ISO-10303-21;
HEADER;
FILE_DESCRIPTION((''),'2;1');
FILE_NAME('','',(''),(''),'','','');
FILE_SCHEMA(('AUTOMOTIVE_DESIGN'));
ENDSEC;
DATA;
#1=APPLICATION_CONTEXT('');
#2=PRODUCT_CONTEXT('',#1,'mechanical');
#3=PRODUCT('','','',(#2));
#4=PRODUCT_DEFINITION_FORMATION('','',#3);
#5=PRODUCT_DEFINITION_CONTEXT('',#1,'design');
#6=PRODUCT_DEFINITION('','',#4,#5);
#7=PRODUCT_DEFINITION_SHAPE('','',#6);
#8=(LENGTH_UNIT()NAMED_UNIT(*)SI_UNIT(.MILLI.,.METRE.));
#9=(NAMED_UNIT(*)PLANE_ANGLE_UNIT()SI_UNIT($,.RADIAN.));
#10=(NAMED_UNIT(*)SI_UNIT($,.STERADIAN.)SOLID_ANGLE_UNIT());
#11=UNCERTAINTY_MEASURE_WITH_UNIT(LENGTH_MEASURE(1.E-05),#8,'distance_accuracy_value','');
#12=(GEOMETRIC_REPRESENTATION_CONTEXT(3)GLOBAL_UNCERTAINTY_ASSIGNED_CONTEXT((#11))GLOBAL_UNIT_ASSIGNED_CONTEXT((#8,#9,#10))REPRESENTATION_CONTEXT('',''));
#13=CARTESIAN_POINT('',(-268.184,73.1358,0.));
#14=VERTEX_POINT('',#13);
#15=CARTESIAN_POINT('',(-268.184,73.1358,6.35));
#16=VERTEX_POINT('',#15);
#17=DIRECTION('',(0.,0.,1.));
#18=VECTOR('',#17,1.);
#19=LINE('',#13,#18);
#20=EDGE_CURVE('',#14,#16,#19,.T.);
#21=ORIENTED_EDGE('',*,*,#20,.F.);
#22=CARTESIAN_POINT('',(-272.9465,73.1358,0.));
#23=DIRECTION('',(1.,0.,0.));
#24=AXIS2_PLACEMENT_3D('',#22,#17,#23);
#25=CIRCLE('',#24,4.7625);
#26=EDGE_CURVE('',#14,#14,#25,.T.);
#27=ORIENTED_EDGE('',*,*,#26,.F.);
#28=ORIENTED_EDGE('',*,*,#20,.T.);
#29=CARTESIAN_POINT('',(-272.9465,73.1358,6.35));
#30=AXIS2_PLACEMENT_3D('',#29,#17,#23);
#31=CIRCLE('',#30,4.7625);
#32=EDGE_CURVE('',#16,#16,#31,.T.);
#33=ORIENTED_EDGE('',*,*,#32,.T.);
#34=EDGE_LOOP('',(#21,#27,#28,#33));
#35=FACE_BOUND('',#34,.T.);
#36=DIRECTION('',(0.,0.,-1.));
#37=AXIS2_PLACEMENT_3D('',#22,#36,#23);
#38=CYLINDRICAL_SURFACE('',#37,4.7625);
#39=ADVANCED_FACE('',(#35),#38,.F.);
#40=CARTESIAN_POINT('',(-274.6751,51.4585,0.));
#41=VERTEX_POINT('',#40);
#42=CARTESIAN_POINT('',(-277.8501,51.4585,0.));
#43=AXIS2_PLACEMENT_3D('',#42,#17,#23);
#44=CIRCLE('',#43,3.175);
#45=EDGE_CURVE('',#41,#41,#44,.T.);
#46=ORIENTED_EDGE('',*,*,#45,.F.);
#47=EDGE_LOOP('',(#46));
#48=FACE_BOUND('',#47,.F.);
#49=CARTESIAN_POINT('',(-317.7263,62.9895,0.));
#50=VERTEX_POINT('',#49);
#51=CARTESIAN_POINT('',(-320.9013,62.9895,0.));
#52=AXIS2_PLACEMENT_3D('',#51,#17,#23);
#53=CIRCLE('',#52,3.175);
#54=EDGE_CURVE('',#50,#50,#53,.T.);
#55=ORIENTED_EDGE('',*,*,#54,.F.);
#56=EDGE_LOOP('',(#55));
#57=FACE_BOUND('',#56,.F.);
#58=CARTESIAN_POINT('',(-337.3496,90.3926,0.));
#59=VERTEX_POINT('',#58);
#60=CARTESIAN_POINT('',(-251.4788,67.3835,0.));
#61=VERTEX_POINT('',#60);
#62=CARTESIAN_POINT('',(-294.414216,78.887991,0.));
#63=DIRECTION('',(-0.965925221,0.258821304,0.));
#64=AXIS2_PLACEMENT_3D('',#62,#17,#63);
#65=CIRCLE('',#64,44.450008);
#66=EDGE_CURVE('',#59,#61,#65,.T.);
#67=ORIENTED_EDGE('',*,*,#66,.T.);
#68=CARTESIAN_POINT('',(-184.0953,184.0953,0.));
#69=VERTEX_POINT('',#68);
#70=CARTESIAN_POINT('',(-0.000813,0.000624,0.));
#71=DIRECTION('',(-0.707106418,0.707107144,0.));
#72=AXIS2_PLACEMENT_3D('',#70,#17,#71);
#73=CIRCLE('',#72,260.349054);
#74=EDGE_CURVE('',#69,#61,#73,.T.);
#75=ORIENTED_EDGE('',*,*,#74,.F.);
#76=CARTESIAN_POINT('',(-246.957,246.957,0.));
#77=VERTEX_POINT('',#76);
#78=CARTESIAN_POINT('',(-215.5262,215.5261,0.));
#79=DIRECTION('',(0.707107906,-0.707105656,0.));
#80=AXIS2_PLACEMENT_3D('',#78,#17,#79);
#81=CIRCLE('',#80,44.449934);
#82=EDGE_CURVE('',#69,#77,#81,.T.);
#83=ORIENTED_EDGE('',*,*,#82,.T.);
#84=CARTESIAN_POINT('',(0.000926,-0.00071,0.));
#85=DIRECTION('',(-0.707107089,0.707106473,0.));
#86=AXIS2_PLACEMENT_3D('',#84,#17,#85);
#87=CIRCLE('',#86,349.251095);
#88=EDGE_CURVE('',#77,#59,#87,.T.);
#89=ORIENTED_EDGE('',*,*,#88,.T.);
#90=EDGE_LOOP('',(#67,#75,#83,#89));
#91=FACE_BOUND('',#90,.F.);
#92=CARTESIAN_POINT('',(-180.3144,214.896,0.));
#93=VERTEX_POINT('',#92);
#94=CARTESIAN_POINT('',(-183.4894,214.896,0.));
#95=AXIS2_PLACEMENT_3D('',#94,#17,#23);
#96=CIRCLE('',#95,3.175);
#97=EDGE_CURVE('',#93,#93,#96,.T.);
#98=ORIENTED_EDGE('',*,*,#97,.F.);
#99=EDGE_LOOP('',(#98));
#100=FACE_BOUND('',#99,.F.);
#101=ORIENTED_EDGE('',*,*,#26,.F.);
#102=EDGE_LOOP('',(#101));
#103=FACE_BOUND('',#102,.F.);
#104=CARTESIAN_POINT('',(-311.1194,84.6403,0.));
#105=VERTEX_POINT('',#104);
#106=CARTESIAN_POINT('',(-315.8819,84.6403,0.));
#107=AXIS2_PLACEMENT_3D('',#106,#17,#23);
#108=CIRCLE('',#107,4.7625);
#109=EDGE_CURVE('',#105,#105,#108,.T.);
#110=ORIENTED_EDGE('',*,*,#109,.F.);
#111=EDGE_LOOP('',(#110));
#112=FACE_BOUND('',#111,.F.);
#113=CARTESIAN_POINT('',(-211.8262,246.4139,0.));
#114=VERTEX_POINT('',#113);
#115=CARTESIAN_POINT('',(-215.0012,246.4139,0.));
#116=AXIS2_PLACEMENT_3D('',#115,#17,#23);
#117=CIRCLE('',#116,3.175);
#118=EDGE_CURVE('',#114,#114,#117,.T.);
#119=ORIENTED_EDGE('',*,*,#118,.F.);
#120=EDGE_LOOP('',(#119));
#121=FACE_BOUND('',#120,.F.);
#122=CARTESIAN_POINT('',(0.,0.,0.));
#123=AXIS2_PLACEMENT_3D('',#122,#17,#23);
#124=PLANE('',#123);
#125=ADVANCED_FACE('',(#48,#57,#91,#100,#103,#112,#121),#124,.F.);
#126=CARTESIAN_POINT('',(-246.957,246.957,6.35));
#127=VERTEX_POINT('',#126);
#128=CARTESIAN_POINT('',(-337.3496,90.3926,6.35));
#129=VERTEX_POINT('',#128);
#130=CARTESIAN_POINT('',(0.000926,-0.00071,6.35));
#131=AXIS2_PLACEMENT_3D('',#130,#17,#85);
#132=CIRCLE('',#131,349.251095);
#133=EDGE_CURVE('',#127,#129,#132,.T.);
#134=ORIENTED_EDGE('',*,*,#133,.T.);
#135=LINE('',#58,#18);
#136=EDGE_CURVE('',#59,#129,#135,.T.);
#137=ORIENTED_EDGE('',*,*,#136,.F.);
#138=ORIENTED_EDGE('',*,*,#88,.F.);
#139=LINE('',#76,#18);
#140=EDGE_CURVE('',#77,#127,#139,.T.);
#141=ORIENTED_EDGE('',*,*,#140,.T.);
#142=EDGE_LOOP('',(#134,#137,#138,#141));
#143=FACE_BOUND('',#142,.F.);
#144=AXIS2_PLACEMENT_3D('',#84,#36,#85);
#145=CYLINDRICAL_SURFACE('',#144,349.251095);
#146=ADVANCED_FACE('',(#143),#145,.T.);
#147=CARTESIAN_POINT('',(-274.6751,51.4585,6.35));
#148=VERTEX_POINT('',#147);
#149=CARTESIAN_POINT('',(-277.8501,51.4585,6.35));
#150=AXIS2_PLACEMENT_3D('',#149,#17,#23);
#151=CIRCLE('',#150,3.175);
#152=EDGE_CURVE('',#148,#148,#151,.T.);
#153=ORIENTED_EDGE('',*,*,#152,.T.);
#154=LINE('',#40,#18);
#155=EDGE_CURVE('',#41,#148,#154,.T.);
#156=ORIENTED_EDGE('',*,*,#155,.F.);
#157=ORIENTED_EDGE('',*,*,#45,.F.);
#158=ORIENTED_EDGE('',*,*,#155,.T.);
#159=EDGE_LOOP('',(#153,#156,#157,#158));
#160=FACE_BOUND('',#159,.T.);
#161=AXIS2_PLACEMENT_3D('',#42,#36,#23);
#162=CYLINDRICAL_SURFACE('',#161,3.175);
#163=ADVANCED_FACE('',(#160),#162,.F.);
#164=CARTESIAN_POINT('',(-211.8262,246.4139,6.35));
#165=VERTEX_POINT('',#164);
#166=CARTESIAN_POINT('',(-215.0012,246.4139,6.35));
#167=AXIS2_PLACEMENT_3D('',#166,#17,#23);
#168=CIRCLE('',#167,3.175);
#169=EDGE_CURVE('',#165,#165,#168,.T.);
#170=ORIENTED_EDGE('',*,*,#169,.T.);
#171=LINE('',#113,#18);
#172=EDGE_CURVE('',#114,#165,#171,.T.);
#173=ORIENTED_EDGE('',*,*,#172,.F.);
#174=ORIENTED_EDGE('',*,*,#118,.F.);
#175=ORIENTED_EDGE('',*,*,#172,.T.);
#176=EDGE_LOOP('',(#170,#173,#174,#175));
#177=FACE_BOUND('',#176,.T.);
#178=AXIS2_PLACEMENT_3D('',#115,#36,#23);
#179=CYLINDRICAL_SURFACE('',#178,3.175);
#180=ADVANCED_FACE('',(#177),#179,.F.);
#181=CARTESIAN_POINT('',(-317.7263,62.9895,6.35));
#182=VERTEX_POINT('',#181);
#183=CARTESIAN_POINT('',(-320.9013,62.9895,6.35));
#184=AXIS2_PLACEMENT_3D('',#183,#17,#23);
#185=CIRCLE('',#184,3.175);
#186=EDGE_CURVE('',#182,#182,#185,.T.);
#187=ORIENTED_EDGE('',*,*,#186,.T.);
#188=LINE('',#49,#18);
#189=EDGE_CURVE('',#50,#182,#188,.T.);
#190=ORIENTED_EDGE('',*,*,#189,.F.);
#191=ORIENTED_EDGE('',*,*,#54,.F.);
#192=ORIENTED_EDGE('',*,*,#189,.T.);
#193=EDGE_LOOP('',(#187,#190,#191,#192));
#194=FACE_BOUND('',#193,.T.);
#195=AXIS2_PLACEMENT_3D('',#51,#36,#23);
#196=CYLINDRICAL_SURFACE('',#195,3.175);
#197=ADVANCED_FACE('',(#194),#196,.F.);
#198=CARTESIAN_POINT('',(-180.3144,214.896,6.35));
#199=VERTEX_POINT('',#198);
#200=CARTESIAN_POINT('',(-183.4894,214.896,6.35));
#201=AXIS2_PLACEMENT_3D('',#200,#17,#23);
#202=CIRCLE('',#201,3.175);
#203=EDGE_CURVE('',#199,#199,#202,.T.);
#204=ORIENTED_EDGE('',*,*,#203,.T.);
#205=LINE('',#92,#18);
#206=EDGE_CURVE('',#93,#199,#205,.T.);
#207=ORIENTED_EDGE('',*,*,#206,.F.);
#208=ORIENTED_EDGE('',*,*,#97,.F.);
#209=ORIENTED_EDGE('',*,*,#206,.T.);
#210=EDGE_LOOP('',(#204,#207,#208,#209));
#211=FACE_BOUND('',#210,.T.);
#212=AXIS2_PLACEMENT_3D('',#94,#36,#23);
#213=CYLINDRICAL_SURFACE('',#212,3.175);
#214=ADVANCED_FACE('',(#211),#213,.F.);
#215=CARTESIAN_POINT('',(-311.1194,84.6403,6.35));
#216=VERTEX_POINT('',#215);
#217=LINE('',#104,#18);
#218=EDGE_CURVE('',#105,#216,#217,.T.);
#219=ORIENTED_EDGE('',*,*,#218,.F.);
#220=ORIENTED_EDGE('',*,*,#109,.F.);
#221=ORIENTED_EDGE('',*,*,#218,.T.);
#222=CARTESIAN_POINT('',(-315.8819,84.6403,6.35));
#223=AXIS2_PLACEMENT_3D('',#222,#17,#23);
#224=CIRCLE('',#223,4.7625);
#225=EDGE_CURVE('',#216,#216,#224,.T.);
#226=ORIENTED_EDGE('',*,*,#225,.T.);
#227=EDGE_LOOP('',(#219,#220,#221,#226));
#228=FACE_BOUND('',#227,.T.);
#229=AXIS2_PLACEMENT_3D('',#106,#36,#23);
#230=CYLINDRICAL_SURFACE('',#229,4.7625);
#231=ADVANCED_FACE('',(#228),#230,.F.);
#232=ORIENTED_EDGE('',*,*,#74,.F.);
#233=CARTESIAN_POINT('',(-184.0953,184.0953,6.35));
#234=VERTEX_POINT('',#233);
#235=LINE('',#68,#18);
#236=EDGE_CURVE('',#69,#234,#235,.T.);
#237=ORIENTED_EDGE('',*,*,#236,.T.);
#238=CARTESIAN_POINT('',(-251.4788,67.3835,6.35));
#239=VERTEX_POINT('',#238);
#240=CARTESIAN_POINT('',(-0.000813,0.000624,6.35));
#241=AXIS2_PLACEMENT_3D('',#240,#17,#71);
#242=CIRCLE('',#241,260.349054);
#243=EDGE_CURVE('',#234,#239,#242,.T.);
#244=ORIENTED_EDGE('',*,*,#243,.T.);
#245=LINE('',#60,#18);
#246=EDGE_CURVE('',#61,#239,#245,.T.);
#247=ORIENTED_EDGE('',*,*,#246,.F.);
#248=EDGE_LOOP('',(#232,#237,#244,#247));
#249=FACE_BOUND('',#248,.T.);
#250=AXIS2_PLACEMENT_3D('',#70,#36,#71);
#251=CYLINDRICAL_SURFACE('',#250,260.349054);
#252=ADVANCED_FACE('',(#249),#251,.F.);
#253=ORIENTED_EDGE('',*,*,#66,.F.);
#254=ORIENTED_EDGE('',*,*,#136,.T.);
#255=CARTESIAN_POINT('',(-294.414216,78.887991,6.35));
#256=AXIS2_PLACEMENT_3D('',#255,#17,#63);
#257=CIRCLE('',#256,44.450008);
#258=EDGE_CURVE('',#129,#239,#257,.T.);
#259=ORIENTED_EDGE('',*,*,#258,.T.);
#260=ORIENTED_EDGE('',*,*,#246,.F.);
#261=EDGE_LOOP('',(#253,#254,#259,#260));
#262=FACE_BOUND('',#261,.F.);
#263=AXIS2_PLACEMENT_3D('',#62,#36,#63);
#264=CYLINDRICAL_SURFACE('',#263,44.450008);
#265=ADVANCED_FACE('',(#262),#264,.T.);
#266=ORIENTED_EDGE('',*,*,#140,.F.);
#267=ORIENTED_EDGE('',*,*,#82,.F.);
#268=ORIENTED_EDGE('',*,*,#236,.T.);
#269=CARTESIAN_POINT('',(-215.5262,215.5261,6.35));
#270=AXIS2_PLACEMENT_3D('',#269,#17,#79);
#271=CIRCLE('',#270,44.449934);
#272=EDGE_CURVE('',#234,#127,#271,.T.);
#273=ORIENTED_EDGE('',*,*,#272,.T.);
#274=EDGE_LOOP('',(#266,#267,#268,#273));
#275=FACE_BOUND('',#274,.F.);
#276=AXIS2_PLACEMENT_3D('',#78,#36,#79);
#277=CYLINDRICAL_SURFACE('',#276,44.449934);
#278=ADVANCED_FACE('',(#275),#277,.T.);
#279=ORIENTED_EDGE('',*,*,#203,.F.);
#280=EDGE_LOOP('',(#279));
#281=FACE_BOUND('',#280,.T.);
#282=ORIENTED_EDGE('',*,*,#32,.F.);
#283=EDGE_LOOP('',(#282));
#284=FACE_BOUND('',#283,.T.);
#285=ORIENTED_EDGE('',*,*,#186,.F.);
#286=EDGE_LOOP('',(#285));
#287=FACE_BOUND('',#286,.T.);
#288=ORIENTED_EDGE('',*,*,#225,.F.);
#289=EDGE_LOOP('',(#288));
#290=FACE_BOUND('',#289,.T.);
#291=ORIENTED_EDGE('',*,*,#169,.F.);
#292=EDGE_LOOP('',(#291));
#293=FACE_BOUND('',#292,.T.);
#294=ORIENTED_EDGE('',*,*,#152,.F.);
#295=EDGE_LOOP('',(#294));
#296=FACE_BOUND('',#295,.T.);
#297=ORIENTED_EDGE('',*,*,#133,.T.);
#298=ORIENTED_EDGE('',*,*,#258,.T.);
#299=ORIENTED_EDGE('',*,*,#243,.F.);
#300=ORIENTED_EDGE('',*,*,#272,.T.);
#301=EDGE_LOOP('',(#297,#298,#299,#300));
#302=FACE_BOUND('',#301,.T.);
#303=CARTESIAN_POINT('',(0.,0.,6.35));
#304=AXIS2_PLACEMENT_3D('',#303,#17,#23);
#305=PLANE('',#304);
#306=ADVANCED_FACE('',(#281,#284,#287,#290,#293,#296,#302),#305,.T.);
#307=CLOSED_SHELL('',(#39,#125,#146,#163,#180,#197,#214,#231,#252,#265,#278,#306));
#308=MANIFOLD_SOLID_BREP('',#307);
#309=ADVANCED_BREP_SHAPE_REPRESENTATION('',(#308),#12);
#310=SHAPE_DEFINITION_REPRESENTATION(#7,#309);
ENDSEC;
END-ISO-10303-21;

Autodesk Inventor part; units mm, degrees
ref_plane "YZ Plane" through (0, 0, 0) normal (1, 0, 0) x (0, 1, 0)
ref_plane "XZ Plane" through (0, 0, 0) normal (0, 1, 0) x (-1, 0, 0)
ref_plane "XY Plane" through (0, 0, 0) normal (0, 0, 1) x (1, 0, 0)
sketch "Sketch1" plane through (0, 0, 0) normal (0, 0, 1) x (1, 0, 0)
  arc A0 (-215.5261, 215.5261) -> (-294.4142, 78.888) centre (0, 0) ccw construction
  arc A1 (-246.957, 246.957) -> (-337.3496, 90.3926) centre (0, 0) ccw
  arc A2 (-184.0953, 184.0953) -> (-251.4788, 67.3835) centre (0, 0) ccw
  arc A3 (-184.0953, 184.0953) -> (-246.957, 246.957) centre (-215.5261, 215.5261) ccw
  arc A4 (-337.3496, 90.3926) -> (-251.4788, 67.3835) centre (-294.4142, 78.888) ccw
  line L0 (0, 0) -> (-294.4142, 78.888) construction
  line L1 (0, 0) -> (294.4142, -78.888) construction
  line L2 (0, 0) -> (-215.5261, 215.5261) construction
  line L3 (0, 0) -> (-111.7396, 0) construction
  line L4 (-246.957, 246.957) -> (-184.0953, 184.0953) construction
  line L5 (-294.4142, 78.888) -> (-251.4788, 67.3835) construction
  line L6 (-337.3496, 90.3926) -> (-294.4142, 78.888) construction
  line L7 (-246.957, 246.957) -> (-215.5261, 215.5261) construction
  line L8 (-184.0953, 184.0953) -> (-215.5261, 215.5261) construction
  arc A5 (-199.8107, 199.8107) -> (-272.9465, 73.1358) centre (0, 0) ccw construction
  arc A6 (-204.3008, 204.3008) -> (-279.0801, 74.7793) centre (0, 0) ccw construction
  arc A7 (-195.3206, 195.3206) -> (-266.8129, 71.4923) centre (0, 0) ccw construction
  arc A8 (-195.3206, 195.3206) -> (-204.3008, 204.3008) centre (-199.8107, 199.8107) ccw construction
  arc A9 (-279.0801, 74.7793) -> (-266.8129, 71.4923) centre (-272.9465, 73.1358) ccw construction
  arc A10 (-231.2416, 231.2416) -> (-315.8819, 84.6403) centre (0, 0) ccw construction
  arc A11 (-235.7317, 235.7317) -> (-322.0155, 86.2838) centre (0, 0) ccw construction
  arc A12 (-226.7515, 226.7515) -> (-309.7483, 82.9968) centre (0, 0) ccw construction
  arc A13 (-226.7515, 226.7515) -> (-235.7317, 235.7317) centre (-231.2416, 231.2416) ccw construction
  arc A14 (-322.0155, 86.2838) -> (-309.7483, 82.9968) centre (-315.8819, 84.6403) ccw construction
  circle A15 centre (-320.9013, 62.9895) radius 3.175
  circle A16 centre (-277.8501, 51.4585) radius 3.175
  circle A17 centre (0, 0) radius 282.575 construction
  circle A18 centre (0, 0) radius 327.025 construction
  circle A19 centre (-183.4894, 214.896) radius 3.175
  circle A20 centre (-215.0012, 246.4139) radius 3.175
  circle A21 centre (-315.8819, 84.6403) radius 4.7625
  circle A22 centre (-272.9465, 73.1358) radius 4.7625
  dimension "d30" = 304.8
  dimension "d31" = 180
  dimension "d32" = 30
  dimension "d33" = 88.9
  dimension "d34" = 45
  dimension "d43" = 12.7
  dimension "d44" = 12.7
  dimension "d45" = 6.35
  dimension "d46" = 6.35
  dimension "d47" = 22.225
  dimension "d48" = 22.225
  dimension "d51" = 6.35
  dimension "d52" = 6.35
  dimension "d53" = 22.225
  dimension "d54" = 22.225
  dimension "d57" = 9.525
  dimension "d58" = 9.525
extrude "Extrusion1" add sketch "Sketch1" along normal blind 6.35
sketch "Sketch2" plane through (0, 0, 6.35) normal (0, 0, 1) x (1, 0, 0)
  circle A0 centre (0, 0) radius 348.5762
properties part number "TurretHoodPanel2"
